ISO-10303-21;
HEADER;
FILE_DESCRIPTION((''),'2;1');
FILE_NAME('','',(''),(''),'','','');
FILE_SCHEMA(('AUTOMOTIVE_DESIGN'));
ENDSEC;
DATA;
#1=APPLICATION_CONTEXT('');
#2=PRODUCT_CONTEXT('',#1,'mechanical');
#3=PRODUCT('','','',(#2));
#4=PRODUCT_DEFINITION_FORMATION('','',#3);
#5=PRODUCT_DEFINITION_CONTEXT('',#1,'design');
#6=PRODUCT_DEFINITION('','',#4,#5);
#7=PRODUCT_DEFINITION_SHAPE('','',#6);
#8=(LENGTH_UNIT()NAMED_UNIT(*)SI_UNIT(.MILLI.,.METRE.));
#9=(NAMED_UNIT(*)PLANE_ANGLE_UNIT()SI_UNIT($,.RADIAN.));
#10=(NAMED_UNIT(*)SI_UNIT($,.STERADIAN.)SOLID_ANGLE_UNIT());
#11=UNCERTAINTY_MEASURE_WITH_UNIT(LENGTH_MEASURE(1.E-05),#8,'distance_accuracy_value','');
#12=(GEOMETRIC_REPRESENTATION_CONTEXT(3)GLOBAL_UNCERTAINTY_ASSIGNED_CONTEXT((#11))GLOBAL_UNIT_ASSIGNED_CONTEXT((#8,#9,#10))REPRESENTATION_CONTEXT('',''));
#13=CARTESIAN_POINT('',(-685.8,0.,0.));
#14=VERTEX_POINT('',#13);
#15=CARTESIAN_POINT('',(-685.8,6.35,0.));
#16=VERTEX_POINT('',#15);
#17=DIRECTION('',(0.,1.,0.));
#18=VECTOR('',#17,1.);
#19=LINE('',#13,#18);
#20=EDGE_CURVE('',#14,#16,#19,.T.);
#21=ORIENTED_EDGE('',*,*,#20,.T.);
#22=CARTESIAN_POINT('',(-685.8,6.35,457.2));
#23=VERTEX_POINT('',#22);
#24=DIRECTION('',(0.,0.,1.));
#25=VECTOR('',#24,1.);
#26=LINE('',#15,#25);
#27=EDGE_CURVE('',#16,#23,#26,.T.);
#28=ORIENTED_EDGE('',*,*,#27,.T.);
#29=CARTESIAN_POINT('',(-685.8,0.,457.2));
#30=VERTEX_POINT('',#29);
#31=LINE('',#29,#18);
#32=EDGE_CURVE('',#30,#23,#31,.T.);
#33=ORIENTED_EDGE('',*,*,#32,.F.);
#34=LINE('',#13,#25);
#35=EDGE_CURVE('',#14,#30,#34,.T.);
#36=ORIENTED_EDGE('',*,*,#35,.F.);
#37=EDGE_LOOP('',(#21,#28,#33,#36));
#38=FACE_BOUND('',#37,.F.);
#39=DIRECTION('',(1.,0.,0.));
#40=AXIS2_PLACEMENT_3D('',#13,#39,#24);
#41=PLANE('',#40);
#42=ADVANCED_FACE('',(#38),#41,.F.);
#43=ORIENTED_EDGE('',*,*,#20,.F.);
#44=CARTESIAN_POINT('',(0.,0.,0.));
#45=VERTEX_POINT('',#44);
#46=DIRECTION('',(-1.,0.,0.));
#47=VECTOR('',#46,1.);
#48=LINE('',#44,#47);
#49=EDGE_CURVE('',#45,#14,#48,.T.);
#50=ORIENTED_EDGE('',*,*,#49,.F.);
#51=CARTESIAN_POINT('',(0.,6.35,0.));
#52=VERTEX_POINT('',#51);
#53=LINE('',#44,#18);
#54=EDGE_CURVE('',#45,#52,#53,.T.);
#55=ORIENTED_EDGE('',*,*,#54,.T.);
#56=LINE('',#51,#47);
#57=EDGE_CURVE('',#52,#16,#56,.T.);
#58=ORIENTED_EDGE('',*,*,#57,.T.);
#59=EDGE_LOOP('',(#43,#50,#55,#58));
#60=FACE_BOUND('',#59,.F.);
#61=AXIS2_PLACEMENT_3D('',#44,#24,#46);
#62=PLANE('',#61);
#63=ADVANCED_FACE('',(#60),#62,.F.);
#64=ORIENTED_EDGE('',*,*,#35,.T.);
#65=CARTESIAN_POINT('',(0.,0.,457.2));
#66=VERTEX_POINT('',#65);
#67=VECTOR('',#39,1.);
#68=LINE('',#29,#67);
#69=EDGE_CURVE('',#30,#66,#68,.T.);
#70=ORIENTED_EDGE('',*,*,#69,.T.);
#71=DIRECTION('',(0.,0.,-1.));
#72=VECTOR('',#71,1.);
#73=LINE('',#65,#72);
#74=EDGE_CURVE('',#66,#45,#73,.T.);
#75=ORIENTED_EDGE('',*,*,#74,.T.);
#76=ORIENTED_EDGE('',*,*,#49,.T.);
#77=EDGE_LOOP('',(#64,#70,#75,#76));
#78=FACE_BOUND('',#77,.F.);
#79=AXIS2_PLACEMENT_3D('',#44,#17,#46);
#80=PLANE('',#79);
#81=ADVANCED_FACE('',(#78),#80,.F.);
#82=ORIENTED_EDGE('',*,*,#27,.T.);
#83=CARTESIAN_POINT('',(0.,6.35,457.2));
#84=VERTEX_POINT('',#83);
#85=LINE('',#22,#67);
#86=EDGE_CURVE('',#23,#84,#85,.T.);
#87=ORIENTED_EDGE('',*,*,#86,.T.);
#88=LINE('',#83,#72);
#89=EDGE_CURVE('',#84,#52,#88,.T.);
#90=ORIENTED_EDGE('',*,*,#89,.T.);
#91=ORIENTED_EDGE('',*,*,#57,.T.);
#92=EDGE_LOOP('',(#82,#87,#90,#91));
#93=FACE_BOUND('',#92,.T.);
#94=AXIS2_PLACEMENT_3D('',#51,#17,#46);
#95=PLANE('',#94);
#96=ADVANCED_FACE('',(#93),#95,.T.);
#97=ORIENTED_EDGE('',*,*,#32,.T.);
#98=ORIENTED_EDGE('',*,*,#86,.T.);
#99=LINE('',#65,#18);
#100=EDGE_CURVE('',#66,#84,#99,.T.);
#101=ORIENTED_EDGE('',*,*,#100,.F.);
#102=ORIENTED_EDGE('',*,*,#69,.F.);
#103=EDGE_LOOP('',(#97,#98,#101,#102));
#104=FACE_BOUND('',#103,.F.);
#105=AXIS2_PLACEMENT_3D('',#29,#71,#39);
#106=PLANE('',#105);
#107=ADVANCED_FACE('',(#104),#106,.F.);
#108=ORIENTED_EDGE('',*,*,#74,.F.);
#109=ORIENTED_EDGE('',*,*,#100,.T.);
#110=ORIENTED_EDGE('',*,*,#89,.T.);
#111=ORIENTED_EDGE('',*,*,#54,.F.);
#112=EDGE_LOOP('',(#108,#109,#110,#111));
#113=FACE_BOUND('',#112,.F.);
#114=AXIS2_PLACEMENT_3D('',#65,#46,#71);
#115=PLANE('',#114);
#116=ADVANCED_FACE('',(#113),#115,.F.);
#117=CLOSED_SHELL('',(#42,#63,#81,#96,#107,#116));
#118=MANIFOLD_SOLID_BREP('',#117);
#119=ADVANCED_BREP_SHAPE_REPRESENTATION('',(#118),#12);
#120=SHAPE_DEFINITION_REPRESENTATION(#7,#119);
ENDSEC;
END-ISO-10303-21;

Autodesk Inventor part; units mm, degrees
ref_plane "YZ Plane" through (0, 0, 0) normal (1, 0, 0) x (0, 1, 0)
ref_plane "XZ Plane" through (0, 0, 0) normal (0, 1, 0) x (-1, 0, 0)
ref_plane "XY Plane" through (0, 0, 0) normal (0, 0, 1) x (1, 0, 0)
sketch "Sketch1" plane through (0, 0, 0) normal (0, 1, 0) x (-1, 0, 0)
  line L0 (0, 0) -> (685.8, 0)
  line L1 (685.8, 0) -> (685.8, 457.2)
  line L2 (685.8, 457.2) -> (0, 457.2)
  line L3 (0, 457.2) -> (0, 0)
  dimension "d0" = 685.8
  dimension "d1" = 457.2
extrude "Extrusion1" add sketch "Sketch1" along normal blind 6.35
properties part number "ElectronicsBoard" material "ABS Plastic"
